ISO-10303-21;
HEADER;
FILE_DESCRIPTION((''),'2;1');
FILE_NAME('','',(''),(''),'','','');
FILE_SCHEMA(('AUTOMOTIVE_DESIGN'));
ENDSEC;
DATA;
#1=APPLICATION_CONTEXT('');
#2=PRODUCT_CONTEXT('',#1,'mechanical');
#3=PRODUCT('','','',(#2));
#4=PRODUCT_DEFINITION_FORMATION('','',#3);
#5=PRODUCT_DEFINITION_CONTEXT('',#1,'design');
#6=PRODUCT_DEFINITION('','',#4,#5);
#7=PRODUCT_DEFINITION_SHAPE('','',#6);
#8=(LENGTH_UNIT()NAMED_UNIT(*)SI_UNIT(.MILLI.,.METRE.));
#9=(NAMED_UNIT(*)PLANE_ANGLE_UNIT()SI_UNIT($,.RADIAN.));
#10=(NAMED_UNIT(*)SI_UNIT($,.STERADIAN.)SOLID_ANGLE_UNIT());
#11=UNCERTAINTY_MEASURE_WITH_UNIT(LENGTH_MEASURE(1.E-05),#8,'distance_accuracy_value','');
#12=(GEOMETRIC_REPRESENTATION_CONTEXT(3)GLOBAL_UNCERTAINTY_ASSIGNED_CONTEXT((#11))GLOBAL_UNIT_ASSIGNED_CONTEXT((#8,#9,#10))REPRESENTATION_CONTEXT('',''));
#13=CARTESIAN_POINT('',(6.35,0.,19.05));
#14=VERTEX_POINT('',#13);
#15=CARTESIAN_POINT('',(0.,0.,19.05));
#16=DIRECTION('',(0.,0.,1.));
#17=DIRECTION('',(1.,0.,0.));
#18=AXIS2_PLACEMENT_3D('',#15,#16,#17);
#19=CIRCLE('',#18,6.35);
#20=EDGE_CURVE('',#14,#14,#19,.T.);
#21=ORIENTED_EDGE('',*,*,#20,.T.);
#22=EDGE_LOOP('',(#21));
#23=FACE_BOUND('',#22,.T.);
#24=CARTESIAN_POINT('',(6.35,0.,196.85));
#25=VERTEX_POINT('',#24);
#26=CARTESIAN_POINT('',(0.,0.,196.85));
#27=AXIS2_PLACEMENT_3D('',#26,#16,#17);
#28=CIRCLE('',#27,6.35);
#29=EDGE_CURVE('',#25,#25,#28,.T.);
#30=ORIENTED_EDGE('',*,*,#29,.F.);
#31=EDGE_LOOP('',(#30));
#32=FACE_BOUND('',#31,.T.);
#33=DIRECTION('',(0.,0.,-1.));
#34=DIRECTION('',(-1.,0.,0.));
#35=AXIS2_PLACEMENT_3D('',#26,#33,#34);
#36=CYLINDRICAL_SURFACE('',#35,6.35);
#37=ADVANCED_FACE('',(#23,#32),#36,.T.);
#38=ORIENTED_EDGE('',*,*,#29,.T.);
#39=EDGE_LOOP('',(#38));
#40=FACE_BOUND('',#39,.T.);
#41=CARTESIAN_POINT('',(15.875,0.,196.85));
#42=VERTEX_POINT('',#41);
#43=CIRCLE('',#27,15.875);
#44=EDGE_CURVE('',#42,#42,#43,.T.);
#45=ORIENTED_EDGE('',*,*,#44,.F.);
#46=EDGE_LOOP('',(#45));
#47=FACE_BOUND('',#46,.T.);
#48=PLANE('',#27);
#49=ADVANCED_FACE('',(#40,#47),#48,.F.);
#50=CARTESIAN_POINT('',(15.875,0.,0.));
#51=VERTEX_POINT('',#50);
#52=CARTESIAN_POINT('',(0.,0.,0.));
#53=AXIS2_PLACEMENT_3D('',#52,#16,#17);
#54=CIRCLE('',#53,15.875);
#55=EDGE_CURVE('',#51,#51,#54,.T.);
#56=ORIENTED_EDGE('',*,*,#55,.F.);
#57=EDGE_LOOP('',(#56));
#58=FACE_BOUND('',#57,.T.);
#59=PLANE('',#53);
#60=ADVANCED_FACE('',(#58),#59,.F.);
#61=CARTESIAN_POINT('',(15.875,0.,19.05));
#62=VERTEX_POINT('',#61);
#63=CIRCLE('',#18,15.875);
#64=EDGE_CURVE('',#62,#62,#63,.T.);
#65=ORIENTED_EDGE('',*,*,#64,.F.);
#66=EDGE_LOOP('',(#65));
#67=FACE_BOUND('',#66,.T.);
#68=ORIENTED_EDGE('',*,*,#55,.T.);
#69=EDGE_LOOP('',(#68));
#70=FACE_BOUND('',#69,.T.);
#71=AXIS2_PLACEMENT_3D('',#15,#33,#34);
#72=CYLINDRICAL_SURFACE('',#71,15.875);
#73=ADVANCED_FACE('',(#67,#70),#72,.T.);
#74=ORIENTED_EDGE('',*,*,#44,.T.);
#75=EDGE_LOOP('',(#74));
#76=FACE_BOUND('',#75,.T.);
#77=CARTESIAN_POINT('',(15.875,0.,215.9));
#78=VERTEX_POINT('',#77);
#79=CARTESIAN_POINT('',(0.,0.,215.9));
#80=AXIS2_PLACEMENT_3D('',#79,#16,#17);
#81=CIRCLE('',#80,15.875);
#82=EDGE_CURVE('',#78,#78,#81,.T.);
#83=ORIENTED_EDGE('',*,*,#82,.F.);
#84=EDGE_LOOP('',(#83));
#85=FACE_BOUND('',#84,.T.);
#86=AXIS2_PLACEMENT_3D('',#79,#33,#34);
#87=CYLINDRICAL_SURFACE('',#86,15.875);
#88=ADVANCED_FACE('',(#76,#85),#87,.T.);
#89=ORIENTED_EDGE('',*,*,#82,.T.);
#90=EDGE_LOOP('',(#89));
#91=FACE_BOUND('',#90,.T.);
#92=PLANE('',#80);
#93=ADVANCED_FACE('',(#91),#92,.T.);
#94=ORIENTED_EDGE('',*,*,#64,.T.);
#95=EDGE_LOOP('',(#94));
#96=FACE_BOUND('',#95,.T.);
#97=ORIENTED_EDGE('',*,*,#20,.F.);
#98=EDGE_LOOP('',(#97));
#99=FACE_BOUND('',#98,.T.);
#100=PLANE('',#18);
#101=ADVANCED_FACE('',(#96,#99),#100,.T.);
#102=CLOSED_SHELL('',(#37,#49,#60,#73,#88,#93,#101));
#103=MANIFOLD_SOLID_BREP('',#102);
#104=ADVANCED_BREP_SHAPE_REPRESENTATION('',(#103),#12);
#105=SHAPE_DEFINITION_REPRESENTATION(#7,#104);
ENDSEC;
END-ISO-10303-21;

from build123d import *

# Parameters (mm, degrees)
SKETCH1_R           = 15.875
BOSS_EXTRUDE1_DEPTH = 19.05
SKETCH2_R           = 6.35
BOSS_EXTRUDE2_DEPTH = 177.8
SKETCH3_R           = 15.875
BOSS_EXTRUDE3_DEPTH = 19.05


with BuildPart() as part:
    # Sketch1 → Boss-Extrude1 (new body)
    with BuildSketch(Plane.XY):
        Circle(SKETCH1_R)
    extrude(amount=BOSS_EXTRUDE1_DEPTH)

    # Sketch2 → Boss-Extrude2 (add)
    with BuildSketch(Plane.XY.offset(19.05)):
        Circle(SKETCH2_R)
    extrude(amount=BOSS_EXTRUDE2_DEPTH)

    # Sketch3 → Boss-Extrude3 (add)
    with BuildSketch(Plane.XY.offset(196.85)):
        Circle(SKETCH3_R)
    extrude(amount=BOSS_EXTRUDE3_DEPTH)


solid = part.part
